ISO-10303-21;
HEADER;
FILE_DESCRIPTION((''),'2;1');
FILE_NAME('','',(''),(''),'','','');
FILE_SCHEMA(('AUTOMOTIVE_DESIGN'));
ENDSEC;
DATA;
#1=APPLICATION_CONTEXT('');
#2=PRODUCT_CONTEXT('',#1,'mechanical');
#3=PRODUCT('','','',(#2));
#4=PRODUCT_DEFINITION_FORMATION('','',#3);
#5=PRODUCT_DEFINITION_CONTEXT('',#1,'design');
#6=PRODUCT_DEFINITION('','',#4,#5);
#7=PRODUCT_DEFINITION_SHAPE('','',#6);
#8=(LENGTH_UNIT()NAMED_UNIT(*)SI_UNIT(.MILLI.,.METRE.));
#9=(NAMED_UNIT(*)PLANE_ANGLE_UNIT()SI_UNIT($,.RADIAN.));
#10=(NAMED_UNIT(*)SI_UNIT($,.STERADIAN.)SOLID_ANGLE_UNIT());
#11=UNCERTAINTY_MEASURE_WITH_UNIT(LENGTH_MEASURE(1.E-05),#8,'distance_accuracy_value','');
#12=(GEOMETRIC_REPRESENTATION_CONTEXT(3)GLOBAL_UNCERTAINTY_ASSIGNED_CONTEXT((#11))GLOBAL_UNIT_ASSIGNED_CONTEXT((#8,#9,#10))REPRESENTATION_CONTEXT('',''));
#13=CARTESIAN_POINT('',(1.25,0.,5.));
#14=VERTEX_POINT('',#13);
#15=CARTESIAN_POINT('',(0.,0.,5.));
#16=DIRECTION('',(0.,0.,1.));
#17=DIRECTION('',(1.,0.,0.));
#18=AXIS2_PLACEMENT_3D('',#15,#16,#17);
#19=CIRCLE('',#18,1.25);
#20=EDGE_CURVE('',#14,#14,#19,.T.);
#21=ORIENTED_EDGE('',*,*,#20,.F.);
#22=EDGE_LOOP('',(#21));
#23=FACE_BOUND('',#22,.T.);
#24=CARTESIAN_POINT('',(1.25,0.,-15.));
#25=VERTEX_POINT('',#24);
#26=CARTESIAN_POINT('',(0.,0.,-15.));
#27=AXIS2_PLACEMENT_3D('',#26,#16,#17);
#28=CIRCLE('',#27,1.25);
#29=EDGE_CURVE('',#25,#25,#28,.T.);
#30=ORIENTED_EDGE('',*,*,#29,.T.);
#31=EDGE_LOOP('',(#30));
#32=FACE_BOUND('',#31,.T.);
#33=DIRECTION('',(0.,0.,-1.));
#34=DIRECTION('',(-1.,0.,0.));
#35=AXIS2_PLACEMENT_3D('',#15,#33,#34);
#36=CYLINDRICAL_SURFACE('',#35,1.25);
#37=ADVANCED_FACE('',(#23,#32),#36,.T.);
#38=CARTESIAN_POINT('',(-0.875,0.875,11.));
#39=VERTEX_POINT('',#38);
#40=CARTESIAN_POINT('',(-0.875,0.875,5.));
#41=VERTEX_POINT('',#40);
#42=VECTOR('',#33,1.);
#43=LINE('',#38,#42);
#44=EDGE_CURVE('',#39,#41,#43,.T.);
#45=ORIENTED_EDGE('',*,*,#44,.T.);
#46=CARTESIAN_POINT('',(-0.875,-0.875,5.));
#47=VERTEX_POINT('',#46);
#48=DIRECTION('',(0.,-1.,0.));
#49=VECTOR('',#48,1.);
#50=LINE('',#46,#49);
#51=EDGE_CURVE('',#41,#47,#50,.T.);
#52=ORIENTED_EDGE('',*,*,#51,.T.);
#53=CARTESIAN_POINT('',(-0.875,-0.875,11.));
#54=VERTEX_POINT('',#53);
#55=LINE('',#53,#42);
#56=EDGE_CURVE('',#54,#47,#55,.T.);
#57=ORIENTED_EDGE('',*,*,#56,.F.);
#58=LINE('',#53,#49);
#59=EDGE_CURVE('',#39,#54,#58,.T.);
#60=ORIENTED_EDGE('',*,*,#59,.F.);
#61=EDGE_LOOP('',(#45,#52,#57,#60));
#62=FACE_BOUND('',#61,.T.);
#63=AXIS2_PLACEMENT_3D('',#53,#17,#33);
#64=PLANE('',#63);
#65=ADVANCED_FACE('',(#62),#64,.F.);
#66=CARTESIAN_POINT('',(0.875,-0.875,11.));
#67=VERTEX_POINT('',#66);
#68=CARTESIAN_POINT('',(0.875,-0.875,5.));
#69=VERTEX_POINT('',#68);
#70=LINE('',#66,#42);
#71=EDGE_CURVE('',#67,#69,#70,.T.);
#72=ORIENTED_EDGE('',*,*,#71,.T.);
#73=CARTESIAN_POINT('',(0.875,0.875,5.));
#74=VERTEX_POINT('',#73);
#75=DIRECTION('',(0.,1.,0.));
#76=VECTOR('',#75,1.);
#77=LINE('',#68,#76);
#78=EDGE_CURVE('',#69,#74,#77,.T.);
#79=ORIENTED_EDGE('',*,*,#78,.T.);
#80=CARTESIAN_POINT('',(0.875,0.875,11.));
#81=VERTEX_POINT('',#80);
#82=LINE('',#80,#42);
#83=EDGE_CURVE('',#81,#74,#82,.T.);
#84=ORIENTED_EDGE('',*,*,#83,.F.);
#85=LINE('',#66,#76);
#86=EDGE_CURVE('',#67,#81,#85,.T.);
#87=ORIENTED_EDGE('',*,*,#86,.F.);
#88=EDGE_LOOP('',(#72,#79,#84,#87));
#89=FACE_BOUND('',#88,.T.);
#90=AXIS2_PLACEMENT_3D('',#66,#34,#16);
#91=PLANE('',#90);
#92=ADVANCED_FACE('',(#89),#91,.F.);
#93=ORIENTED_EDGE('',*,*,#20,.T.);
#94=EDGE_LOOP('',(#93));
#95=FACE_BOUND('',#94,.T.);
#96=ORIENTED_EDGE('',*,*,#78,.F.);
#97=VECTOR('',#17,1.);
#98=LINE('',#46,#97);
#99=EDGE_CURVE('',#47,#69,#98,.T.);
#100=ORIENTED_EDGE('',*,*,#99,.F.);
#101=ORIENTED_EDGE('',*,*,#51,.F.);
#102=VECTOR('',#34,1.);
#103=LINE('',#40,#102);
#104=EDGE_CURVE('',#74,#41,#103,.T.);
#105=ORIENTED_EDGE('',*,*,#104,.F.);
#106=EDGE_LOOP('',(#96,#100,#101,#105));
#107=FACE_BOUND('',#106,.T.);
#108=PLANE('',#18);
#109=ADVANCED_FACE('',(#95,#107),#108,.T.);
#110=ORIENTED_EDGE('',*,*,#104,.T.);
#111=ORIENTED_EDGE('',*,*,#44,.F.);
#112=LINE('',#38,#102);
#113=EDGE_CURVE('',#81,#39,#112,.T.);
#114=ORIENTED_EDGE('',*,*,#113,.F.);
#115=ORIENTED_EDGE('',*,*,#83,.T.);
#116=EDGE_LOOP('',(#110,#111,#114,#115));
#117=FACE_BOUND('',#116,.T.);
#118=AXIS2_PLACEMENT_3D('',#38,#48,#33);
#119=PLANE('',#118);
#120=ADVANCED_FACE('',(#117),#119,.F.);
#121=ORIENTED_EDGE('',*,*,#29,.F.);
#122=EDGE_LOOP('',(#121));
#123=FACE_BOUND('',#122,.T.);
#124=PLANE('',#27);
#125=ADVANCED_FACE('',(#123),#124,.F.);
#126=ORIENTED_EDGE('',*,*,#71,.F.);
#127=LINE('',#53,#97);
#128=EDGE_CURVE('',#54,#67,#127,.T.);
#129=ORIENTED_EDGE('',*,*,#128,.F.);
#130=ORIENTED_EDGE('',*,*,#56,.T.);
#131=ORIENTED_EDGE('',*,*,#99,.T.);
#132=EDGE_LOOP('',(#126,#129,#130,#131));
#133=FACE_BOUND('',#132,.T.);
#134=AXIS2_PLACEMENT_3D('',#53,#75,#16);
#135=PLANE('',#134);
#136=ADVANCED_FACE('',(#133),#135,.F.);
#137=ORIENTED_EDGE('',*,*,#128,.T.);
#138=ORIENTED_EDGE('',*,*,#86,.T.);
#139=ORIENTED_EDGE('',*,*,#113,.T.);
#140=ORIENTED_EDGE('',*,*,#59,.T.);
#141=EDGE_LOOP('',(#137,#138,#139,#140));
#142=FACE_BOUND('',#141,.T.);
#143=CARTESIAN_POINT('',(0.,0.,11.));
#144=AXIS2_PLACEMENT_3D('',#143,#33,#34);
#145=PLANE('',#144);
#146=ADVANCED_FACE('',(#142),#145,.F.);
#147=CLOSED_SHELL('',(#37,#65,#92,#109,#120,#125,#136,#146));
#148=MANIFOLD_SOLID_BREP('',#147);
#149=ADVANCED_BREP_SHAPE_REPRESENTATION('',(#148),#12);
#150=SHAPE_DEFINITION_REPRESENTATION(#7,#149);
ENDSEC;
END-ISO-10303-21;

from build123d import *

# Parameters (mm, degrees)
SKETCH1_R           = 1.25
BOSS_EXTRUDE1_DEPTH = 5
SKETCH2_W           = 1.75
SKETCH2_H           = 1.75
BOSS_EXTRUDE2_DEPTH = 6
BOSS_EXTRUDE3_START = -15
SKETCH3_R           = 1.25
BOSS_EXTRUDE3_DEPTH = 15


with BuildPart() as part:
    # Sketch1 → Boss-Extrude1 (new body)
    with BuildSketch(Plane.XY):
        Circle(SKETCH1_R)
    extrude(amount=BOSS_EXTRUDE1_DEPTH)

    # Sketch2 → Boss-Extrude2 (add)
    with BuildSketch(Plane.XY.offset(5)):
        Rectangle(SKETCH2_W, SKETCH2_H)
    extrude(amount=BOSS_EXTRUDE2_DEPTH)

    # Sketch3 → Boss-Extrude3 (add)
    with BuildSketch(Plane.XY.offset(BOSS_EXTRUDE3_START)):
        Circle(SKETCH3_R)
    extrude(amount=BOSS_EXTRUDE3_DEPTH)


solid = part.part
